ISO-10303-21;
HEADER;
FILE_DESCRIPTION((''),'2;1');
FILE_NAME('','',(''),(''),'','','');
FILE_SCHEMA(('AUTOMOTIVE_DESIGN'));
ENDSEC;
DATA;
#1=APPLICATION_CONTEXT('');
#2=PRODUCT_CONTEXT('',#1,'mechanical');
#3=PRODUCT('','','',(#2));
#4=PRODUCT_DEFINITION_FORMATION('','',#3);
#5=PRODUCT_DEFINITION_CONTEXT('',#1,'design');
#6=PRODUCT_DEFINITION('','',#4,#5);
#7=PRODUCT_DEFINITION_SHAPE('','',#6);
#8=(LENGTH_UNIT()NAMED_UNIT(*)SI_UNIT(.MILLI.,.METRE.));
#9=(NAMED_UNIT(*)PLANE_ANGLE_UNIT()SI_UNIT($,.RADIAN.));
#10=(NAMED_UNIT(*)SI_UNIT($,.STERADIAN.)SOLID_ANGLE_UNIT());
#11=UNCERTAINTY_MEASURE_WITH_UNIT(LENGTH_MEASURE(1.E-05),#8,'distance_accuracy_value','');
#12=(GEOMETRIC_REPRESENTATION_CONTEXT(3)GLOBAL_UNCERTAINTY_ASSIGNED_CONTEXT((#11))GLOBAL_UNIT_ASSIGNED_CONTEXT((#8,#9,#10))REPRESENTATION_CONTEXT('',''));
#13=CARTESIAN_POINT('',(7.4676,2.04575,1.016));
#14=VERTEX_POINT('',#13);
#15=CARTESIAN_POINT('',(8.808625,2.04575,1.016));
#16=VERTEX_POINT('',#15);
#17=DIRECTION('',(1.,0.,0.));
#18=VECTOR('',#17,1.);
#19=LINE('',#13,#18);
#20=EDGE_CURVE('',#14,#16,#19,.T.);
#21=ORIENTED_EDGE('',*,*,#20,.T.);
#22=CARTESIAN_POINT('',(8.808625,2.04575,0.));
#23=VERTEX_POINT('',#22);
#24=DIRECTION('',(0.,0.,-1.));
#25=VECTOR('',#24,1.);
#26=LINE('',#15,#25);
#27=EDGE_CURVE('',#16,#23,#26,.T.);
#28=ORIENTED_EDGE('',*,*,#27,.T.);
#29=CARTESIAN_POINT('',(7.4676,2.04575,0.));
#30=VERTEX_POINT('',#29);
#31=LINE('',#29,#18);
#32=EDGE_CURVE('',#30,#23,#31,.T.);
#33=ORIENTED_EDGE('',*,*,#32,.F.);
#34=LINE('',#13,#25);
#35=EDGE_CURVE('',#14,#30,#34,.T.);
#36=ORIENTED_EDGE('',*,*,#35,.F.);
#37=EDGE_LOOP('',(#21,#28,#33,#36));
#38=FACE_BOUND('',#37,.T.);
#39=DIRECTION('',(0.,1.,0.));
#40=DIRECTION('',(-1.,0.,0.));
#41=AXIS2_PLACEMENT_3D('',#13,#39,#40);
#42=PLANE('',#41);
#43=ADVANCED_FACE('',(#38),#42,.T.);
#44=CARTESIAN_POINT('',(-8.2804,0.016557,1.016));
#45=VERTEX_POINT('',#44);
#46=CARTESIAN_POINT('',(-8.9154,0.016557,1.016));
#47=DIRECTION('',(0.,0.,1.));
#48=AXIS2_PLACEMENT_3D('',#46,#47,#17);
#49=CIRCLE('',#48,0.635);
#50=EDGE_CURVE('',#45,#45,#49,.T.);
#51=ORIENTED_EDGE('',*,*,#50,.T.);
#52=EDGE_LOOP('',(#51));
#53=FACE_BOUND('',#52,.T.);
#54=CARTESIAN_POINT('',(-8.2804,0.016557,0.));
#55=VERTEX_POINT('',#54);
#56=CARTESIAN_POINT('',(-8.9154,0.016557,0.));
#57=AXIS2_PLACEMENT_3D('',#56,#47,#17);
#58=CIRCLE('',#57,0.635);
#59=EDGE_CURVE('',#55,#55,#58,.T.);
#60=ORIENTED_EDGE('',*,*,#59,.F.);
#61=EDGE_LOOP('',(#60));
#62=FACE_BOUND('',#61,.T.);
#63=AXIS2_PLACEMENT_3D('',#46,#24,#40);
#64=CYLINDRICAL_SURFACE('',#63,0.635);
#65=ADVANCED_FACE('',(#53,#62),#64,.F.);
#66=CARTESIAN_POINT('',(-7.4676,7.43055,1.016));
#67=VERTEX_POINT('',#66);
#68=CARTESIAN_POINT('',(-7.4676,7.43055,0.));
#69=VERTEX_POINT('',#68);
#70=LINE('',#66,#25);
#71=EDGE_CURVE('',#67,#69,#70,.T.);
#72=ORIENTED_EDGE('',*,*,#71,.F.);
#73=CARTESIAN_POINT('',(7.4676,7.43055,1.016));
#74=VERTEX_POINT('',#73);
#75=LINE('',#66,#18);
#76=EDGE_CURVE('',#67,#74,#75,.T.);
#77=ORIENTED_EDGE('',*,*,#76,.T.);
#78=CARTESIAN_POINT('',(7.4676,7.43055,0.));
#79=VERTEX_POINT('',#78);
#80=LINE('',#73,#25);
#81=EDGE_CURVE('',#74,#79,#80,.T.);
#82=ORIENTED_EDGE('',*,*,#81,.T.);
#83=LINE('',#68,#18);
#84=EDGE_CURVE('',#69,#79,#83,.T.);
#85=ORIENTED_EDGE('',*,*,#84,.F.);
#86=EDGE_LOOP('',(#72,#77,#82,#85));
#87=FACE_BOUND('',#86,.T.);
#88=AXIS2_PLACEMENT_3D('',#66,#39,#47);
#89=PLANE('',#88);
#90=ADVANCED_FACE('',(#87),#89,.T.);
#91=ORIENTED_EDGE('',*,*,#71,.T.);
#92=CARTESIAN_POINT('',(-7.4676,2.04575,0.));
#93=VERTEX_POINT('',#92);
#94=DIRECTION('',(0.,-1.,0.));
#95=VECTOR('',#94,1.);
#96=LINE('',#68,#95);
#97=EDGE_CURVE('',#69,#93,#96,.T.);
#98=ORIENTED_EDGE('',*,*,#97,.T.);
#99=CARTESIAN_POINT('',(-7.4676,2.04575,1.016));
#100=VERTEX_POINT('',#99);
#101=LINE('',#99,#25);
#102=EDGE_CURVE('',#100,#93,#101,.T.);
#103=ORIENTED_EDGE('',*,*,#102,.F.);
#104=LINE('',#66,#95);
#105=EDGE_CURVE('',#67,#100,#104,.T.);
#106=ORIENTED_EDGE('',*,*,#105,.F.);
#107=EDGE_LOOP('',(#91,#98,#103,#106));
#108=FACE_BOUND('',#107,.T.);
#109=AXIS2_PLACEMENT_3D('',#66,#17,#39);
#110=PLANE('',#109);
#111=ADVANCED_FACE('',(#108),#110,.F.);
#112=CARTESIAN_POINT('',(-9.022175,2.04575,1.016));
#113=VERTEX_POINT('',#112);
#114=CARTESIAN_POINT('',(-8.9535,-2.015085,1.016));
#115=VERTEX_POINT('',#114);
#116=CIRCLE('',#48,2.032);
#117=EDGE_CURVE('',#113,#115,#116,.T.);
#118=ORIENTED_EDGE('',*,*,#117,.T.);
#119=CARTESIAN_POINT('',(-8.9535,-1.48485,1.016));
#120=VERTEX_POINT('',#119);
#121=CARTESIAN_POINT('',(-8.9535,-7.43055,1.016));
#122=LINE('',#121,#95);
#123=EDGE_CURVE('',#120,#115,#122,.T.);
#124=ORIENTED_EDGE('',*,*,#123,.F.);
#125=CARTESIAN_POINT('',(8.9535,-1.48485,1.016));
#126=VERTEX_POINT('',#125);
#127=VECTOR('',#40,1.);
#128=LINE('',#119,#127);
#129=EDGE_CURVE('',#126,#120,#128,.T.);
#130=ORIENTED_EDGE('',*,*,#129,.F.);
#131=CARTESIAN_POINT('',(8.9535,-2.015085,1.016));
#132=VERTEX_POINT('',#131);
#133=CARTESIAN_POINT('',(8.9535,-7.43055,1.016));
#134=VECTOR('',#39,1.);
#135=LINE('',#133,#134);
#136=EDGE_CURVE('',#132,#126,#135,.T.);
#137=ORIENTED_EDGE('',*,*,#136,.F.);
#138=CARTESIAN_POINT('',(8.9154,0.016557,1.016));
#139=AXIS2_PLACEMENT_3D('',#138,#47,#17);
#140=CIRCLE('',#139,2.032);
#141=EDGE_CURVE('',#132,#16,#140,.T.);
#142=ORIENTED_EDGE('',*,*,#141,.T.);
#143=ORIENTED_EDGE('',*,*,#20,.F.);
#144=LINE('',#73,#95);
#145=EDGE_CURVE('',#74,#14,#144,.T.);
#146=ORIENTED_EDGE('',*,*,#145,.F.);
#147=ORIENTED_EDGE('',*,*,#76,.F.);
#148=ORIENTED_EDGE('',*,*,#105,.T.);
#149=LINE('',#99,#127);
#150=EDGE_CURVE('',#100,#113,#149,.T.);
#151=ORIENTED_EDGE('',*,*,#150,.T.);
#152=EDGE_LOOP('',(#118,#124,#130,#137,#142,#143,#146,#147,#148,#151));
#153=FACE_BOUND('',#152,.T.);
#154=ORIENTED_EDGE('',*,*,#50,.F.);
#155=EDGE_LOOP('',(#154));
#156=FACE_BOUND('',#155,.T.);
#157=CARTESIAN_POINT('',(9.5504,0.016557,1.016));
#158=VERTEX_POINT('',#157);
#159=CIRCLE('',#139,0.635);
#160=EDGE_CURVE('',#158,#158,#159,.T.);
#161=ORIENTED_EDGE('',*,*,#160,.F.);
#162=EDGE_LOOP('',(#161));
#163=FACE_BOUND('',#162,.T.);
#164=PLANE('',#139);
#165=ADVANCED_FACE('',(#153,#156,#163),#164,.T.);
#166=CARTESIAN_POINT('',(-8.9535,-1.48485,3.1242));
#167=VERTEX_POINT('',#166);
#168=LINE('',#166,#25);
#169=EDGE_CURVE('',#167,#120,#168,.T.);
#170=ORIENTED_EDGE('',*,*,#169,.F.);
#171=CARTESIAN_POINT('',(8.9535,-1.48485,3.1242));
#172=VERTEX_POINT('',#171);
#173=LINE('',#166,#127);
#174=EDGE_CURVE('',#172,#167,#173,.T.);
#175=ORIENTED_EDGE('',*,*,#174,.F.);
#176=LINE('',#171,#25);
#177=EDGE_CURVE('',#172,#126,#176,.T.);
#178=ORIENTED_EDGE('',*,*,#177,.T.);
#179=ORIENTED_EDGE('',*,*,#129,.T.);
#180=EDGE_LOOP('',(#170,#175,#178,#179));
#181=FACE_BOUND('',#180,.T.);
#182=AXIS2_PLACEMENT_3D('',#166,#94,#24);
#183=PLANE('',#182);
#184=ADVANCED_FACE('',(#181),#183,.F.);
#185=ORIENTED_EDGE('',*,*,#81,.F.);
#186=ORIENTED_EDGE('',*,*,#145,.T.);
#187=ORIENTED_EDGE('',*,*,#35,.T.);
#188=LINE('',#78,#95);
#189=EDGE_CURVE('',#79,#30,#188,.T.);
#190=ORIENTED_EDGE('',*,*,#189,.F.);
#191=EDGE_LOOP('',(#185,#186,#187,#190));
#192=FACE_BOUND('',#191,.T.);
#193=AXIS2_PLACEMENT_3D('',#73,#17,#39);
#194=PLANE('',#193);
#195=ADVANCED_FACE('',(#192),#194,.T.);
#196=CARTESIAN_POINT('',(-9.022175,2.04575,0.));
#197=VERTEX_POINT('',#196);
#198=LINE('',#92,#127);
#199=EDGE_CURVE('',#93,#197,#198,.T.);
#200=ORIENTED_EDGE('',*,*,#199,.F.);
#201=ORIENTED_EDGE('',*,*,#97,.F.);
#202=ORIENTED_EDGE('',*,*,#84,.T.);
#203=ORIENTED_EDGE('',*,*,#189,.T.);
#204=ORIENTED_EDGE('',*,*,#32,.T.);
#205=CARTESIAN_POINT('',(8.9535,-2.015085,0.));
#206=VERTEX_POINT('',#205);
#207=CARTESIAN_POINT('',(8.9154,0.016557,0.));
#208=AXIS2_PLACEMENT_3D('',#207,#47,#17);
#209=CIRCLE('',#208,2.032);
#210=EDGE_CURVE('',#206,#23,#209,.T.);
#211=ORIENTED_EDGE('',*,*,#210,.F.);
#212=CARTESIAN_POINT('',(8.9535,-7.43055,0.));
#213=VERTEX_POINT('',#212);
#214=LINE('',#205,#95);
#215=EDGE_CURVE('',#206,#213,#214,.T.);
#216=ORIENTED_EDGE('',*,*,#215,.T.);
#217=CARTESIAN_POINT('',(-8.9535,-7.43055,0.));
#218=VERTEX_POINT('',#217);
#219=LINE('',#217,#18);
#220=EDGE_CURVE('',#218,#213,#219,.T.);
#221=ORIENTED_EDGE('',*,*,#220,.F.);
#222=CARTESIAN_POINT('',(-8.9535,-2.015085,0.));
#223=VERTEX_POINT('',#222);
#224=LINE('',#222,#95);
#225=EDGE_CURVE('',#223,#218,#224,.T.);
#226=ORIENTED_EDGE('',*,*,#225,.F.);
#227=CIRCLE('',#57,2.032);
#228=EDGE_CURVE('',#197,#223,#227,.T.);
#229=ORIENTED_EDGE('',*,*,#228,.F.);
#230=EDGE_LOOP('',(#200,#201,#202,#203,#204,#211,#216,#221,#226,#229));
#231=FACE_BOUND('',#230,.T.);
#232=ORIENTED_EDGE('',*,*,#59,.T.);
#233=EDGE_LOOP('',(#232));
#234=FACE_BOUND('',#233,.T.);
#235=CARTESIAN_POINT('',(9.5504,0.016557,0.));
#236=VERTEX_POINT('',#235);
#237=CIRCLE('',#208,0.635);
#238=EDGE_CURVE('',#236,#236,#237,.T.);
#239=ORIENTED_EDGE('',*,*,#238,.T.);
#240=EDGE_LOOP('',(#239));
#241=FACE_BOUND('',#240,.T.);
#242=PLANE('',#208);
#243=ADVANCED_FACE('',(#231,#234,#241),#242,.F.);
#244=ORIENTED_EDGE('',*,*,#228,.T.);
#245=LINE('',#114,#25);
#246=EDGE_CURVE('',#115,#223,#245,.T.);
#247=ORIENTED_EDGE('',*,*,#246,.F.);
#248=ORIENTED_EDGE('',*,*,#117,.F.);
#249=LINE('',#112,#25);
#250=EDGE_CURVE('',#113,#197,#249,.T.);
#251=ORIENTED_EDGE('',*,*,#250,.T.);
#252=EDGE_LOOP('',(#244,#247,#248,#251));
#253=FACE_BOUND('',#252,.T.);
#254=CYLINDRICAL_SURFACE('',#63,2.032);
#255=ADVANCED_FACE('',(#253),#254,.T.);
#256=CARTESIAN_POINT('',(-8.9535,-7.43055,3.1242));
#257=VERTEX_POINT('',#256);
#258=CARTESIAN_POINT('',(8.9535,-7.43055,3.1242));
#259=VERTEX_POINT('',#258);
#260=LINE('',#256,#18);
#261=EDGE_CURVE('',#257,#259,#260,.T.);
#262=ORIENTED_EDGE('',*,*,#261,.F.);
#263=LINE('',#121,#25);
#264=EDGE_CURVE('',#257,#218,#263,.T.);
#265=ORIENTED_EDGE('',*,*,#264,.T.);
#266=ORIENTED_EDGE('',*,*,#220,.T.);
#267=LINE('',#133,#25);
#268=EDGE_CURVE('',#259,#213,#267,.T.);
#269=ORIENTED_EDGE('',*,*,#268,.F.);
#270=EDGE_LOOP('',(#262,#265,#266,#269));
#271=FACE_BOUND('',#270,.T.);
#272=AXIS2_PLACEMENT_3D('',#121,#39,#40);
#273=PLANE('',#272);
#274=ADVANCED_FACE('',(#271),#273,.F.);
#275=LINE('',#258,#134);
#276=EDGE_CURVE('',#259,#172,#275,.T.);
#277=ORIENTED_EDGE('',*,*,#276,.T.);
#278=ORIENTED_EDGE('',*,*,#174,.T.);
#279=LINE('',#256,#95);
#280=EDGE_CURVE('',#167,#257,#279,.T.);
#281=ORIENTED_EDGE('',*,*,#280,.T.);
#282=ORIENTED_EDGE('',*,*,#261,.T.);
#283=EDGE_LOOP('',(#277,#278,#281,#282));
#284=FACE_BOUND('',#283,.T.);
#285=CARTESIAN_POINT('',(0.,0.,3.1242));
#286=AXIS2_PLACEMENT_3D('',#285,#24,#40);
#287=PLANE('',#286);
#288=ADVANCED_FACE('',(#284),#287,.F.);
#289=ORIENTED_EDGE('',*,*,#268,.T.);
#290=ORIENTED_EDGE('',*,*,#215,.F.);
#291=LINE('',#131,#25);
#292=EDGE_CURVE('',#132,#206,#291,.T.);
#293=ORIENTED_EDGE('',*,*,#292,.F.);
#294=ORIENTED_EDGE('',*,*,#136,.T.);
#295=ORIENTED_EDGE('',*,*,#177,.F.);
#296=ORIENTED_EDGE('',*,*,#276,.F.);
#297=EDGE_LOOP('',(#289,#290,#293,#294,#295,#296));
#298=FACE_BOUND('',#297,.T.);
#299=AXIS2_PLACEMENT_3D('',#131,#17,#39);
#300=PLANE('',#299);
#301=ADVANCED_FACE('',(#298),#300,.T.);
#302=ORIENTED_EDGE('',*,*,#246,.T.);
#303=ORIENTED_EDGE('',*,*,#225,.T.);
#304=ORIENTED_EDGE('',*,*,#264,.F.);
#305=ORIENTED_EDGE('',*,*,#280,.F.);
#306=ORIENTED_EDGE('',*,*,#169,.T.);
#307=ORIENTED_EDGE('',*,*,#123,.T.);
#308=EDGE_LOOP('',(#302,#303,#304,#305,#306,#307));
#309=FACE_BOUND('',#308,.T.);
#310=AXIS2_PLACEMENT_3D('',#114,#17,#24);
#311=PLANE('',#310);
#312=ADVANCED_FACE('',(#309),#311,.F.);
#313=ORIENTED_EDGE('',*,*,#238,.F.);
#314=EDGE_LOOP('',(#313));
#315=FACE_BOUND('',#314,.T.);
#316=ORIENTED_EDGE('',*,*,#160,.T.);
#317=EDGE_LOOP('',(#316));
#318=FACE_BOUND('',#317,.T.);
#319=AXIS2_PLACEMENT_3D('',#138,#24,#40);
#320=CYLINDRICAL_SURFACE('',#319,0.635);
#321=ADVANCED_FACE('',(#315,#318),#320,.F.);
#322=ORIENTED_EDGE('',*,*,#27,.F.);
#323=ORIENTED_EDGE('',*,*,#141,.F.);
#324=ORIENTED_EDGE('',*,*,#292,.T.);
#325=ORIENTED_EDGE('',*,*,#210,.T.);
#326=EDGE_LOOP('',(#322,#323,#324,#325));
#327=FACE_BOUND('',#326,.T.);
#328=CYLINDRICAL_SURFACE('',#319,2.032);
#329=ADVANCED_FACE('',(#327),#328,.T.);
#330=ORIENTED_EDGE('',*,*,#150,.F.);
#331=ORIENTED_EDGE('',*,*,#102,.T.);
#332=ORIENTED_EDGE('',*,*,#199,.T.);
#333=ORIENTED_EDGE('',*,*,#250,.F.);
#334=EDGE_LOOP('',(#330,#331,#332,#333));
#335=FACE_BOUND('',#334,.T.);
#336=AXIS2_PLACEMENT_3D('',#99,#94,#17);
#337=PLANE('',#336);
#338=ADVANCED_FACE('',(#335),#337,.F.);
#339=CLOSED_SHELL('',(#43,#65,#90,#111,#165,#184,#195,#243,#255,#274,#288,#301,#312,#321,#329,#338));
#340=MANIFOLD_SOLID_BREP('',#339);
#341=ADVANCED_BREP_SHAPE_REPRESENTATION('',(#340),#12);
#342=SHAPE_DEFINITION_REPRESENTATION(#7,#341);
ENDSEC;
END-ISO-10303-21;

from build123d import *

# Parameters (mm, degrees)
SKETCH1_R           = 0.635000006
BOSS_EXTRUDE1_DEPTH = 1.016
SKETCH2_W           = 17.907
SKETCH2_H           = 5.945700236
BOSS_EXTRUDE2_DEPTH = 2.1082


with BuildPart() as part:
    # Sketch1 → Boss-Extrude1 (new body)
    with BuildSketch(Plane.XY):
        with BuildLine():
            Line((-7.4676, 7.430550118), (7.4676, 7.430550118))
            Line((7.4676, 7.430550118), (7.4676, 2.045750118))
            Line((7.4676, 2.045750118), (8.808625011, 2.045750118))
            ThreePointArc((8.808625011, 2.045750118), (10.946108081, 0.089005249), (8.9535, -2.015085385))
            Line((8.9535, -2.015085385), (8.9535, -7.430550118))
            Line((8.9535, -7.430550118), (-8.9535, -7.430550118))
            Line((-8.9535, -7.430550118), (-8.9535, -2.015085385))
            ThreePointArc((-8.9535, -2.015085385), (-10.947109486, -0.017801943), (-9.022174989, 2.045750118))
            Line((-9.022174989, 2.045750118), (-7.4676, 2.045750118))
            Line((-7.4676, 2.045750118), (-7.4676, 7.430550118))
        make_face()
        with Locations((-8.9154, 0.016557396)):
            Circle(SKETCH1_R, mode=Mode.SUBTRACT)
        with Locations((8.9154, 0.016557396)):
            Circle(SKETCH1_R, mode=Mode.SUBTRACT)
    extrude(amount=BOSS_EXTRUDE1_DEPTH)

    # Sketch2 → Boss-Extrude2 (add)
    with BuildSketch(Plane.XY.offset(1.016)):
        with Locations((0, -4.4577)):
            Rectangle(SKETCH2_W, SKETCH2_H)
    extrude(amount=BOSS_EXTRUDE2_DEPTH)


solid = part.part
